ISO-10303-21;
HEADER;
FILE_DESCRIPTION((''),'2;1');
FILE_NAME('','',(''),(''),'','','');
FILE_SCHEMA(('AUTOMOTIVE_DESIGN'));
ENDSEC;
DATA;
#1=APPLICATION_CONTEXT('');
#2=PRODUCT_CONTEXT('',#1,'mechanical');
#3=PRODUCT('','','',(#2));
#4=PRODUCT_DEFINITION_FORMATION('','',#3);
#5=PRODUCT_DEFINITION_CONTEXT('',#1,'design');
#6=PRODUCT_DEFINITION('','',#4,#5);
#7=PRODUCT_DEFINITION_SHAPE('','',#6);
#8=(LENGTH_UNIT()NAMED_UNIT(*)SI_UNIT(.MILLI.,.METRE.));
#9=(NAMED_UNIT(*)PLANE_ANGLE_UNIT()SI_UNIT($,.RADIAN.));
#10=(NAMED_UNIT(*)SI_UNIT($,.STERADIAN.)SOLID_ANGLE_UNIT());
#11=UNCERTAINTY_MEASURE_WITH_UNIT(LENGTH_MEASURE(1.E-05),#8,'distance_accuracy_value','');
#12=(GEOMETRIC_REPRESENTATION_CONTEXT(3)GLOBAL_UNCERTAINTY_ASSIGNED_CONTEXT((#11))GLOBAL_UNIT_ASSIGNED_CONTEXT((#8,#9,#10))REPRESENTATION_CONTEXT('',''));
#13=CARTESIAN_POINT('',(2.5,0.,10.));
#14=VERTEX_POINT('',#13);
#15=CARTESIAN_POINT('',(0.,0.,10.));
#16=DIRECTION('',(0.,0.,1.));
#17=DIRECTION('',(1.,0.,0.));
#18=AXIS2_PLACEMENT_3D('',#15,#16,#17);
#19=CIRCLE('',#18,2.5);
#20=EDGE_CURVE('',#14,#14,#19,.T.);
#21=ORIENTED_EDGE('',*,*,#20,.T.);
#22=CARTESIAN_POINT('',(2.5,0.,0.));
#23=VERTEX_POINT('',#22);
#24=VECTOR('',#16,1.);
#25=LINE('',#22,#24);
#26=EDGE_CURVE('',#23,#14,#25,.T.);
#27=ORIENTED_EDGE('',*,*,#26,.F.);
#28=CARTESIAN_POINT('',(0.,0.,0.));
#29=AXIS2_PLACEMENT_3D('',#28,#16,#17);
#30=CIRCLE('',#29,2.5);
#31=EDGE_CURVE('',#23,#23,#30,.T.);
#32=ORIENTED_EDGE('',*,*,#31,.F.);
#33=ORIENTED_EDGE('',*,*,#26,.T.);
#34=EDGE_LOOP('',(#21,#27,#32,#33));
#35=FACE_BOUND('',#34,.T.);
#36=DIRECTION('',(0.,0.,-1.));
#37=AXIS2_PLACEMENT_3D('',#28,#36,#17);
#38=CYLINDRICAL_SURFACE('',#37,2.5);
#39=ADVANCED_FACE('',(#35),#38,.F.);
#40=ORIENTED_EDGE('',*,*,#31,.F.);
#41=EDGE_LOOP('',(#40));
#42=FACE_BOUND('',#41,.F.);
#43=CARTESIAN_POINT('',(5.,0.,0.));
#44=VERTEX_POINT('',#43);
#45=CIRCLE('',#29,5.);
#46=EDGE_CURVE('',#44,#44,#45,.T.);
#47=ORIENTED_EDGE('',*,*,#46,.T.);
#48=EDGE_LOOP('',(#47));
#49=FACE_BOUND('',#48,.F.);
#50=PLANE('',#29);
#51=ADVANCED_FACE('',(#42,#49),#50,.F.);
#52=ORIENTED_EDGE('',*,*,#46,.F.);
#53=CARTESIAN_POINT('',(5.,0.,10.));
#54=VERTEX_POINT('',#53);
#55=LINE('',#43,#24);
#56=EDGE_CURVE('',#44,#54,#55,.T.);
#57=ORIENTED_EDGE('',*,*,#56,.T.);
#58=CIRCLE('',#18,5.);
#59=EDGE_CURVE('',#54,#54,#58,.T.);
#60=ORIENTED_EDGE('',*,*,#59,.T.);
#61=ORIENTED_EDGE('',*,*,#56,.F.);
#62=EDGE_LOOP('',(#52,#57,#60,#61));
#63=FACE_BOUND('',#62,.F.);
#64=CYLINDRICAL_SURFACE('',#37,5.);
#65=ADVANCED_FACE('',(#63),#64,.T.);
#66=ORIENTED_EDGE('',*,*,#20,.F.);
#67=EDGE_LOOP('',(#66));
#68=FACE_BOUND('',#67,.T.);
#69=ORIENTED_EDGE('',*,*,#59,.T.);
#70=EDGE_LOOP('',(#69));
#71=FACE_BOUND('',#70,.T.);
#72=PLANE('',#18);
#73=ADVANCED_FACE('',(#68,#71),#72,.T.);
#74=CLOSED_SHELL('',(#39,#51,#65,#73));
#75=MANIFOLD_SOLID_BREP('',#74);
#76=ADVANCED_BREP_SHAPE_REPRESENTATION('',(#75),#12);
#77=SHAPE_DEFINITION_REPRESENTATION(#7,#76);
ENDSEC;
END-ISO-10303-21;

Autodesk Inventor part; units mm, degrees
ref_plane "YZ Plane" through (0, 0, 0) normal (1, 0, 0) x (0, 1, 0)
ref_plane "XZ Plane" through (0, 0, 0) normal (0, 1, 0) x (-1, 0, 0)
ref_plane "XY Plane" through (0, 0, 0) normal (0, 0, 1) x (1, 0, 0)
sketch "Sketch1" plane through (0, 0, 0) normal (0, 0, 1) x (1, 0, 0)
  circle A0 centre (0, 0) radius 2.5
  circle A1 centre (0, 0) radius 5
  dimension "d0" = 5
  dimension "d2" = 10
extrude "Extrusion1" add sketch "Sketch1" along normal blind 10
properties part number "NEMA_GT2_Pulley"
